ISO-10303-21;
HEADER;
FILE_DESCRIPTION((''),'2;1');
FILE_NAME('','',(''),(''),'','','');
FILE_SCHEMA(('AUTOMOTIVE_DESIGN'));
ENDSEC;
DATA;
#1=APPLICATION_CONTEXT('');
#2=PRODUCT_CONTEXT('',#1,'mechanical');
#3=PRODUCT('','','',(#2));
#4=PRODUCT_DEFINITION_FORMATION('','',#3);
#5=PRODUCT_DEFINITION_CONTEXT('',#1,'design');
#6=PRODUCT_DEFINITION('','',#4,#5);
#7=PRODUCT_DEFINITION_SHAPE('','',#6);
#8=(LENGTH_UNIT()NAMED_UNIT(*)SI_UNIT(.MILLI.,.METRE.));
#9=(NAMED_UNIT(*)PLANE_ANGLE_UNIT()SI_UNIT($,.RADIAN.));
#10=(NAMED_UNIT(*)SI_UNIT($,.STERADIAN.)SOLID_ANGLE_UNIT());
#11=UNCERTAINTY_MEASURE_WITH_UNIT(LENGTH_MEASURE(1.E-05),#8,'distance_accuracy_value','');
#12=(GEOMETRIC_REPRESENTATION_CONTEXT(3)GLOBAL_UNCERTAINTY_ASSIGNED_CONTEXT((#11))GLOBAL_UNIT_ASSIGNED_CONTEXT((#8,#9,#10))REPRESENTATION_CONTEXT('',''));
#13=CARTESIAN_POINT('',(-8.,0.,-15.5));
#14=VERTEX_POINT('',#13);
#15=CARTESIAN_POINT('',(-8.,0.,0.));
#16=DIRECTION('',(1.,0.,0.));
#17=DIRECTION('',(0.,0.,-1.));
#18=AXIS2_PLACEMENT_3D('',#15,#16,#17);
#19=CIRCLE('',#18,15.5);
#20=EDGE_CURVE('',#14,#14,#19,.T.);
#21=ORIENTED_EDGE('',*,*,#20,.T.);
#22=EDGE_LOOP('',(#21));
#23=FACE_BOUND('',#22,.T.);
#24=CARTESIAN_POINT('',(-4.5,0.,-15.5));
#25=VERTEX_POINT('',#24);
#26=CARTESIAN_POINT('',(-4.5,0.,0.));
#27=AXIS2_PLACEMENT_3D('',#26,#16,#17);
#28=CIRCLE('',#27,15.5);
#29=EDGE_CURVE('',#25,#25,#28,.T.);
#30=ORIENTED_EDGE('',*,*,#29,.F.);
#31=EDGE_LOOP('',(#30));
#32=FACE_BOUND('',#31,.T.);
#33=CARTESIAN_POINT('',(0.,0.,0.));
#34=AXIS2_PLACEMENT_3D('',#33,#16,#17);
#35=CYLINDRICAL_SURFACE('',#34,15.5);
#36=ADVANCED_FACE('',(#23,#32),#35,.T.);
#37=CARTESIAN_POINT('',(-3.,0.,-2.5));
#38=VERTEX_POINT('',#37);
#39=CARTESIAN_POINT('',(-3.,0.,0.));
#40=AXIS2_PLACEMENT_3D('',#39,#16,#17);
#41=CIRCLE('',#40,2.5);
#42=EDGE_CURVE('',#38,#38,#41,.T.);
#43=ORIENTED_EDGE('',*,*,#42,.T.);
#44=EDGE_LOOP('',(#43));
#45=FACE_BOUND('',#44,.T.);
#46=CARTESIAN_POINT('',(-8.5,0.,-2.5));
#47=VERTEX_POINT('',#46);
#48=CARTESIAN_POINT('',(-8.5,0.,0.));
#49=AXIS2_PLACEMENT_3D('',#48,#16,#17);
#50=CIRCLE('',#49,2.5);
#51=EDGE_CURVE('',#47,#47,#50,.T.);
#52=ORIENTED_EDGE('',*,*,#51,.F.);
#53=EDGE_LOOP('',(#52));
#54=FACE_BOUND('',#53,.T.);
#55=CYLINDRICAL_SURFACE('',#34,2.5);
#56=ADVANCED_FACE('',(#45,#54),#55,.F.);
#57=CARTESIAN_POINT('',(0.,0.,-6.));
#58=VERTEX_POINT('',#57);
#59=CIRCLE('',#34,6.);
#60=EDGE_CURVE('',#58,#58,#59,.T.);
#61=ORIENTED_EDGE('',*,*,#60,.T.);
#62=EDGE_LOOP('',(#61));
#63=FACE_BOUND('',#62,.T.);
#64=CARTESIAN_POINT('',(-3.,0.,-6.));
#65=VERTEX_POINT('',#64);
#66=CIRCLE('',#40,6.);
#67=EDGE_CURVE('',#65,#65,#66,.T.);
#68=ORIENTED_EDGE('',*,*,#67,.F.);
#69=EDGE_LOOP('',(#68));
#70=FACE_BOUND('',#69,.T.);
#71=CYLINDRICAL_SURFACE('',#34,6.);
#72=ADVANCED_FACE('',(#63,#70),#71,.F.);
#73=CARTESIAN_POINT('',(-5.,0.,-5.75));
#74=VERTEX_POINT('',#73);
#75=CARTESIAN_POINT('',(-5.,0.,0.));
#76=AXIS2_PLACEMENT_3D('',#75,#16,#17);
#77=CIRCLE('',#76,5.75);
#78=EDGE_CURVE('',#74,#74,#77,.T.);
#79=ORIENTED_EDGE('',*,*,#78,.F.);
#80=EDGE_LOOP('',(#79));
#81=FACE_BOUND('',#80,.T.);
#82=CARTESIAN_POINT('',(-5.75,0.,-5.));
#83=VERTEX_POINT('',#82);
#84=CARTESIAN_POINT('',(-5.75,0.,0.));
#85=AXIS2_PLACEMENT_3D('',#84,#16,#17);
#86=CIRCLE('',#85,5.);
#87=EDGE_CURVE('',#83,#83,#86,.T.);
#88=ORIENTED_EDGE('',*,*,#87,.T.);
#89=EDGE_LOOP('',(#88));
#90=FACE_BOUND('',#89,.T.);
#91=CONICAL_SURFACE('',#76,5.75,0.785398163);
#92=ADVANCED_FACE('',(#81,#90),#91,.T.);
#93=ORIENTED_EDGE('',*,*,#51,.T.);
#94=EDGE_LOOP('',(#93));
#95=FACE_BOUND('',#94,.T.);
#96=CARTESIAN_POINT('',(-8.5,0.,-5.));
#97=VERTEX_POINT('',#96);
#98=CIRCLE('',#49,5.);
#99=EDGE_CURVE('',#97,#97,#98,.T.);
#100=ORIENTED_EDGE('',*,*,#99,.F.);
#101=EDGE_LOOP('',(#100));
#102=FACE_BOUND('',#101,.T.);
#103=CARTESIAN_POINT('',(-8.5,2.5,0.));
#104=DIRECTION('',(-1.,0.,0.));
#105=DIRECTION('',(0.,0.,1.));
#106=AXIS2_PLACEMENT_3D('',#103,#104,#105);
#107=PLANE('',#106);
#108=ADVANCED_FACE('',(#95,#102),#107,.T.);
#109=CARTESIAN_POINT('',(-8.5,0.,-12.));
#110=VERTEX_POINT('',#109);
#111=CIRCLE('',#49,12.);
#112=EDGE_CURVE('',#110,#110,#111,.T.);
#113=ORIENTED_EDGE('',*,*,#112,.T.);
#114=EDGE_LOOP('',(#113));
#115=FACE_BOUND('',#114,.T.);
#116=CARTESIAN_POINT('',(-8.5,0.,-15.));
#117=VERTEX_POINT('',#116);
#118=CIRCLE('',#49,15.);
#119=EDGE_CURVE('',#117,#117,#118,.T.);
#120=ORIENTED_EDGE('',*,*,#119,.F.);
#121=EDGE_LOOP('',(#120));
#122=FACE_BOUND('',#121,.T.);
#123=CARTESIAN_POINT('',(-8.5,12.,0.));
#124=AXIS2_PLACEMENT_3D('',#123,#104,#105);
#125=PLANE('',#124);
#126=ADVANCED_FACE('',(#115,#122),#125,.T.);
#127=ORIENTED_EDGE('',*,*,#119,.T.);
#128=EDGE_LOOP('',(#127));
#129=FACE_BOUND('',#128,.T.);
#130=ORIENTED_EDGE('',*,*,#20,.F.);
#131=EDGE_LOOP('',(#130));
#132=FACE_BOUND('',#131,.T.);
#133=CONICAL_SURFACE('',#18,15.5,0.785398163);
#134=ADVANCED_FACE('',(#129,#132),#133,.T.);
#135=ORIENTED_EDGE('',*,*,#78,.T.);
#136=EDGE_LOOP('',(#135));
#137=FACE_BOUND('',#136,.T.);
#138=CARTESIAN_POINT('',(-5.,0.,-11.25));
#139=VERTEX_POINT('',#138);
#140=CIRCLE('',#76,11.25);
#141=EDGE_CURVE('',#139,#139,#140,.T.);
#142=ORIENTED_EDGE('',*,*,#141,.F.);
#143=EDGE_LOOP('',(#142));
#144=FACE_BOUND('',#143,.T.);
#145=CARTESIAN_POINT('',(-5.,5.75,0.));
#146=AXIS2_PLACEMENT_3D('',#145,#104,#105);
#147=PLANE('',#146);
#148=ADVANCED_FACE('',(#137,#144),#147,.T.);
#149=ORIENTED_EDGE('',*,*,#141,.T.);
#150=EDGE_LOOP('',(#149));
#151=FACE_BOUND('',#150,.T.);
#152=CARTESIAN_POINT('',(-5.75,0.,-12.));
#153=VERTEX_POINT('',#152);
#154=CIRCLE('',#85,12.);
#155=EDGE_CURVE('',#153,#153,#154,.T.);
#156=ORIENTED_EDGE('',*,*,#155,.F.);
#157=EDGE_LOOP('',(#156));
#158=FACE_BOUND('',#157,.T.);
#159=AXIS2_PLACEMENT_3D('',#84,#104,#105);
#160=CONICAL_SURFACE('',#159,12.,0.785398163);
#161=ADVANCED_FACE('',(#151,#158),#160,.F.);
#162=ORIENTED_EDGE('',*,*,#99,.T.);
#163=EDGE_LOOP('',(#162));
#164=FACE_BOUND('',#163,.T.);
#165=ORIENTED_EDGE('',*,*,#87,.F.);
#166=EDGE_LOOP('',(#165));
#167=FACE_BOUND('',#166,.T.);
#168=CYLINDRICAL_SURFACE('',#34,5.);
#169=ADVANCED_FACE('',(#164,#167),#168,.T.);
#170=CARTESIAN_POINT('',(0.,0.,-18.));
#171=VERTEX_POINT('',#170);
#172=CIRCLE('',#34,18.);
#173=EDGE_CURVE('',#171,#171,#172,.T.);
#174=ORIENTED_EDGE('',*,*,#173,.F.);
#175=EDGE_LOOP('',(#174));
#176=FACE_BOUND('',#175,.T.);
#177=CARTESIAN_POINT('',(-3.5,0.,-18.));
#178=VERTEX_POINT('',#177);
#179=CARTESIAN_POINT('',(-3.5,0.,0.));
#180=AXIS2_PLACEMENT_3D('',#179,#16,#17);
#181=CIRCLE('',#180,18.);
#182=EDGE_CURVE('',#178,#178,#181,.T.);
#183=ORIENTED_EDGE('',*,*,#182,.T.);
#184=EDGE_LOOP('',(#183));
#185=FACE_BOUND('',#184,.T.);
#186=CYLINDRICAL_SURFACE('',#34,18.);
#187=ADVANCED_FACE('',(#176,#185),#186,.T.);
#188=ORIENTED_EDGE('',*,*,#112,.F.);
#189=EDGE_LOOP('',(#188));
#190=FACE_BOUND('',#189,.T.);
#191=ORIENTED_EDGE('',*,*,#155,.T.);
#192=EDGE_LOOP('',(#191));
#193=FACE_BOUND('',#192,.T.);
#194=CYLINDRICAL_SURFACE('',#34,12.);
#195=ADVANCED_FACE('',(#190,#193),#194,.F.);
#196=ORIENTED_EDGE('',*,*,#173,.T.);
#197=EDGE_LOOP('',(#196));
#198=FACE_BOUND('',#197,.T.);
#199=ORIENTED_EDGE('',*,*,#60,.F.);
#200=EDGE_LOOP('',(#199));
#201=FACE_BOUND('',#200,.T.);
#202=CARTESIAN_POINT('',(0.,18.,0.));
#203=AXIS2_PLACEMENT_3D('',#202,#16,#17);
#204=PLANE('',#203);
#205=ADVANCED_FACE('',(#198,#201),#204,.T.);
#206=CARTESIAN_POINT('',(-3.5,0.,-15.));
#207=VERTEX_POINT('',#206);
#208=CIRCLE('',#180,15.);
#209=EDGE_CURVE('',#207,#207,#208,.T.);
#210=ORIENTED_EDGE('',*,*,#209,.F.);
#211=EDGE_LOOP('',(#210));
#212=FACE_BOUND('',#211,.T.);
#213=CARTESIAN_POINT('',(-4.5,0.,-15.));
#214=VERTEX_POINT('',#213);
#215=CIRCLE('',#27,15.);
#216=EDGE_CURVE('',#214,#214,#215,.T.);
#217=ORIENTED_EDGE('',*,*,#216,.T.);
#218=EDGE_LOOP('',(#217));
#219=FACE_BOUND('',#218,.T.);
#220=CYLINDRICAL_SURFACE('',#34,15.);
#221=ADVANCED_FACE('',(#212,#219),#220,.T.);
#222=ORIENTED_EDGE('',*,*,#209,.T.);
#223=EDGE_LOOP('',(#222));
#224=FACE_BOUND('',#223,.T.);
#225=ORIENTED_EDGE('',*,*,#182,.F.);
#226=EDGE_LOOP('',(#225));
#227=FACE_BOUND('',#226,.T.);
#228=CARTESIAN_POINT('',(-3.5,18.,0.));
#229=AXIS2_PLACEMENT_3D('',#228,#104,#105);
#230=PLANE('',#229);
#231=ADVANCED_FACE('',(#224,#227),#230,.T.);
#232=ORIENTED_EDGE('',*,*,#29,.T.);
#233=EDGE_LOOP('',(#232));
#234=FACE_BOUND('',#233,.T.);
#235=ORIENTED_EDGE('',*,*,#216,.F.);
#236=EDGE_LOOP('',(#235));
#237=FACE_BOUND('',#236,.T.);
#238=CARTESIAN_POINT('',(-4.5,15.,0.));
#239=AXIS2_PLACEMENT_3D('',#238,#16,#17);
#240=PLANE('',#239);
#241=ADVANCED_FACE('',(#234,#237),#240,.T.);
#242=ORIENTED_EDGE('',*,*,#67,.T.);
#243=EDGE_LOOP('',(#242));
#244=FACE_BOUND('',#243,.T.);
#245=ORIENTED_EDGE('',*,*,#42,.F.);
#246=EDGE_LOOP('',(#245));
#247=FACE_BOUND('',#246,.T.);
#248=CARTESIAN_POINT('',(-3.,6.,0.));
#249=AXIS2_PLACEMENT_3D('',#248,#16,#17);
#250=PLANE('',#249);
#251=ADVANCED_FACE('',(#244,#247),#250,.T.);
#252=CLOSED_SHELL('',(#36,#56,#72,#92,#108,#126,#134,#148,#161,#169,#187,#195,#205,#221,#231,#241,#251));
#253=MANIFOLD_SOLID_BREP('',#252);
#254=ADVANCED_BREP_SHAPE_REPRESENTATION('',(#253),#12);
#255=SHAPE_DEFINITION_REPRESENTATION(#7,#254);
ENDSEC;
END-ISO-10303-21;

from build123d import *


with BuildPart() as part:
    # Esquisse1 → Révolution1789 (revolve)
    with BuildSketch(Plane.XY, mode=Mode.PRIVATE) as r_volution1789_sk:
        Polygon((0, 18), (-3.5, 18), (-3.5, 15), (-4.5, 15), (-4.5, 15.5), (-8, 15.5), (-8.5, 15), (-8.5, 12), (-5.75, 12), (-5, 11.25), (-5, 5.75), (-5.75, 5), (-8.5, 5), (-8.5, 2.5), (-3, 2.5), (-3, 6), (0, 6), align=None)
    revolve(r_volution1789_sk.sketch.rotate(Axis((0, 0, 0), (-1, 0, 0)), 90), axis=Axis((0, 0, 0), (-1, 0, 0)))


solid = part.part
